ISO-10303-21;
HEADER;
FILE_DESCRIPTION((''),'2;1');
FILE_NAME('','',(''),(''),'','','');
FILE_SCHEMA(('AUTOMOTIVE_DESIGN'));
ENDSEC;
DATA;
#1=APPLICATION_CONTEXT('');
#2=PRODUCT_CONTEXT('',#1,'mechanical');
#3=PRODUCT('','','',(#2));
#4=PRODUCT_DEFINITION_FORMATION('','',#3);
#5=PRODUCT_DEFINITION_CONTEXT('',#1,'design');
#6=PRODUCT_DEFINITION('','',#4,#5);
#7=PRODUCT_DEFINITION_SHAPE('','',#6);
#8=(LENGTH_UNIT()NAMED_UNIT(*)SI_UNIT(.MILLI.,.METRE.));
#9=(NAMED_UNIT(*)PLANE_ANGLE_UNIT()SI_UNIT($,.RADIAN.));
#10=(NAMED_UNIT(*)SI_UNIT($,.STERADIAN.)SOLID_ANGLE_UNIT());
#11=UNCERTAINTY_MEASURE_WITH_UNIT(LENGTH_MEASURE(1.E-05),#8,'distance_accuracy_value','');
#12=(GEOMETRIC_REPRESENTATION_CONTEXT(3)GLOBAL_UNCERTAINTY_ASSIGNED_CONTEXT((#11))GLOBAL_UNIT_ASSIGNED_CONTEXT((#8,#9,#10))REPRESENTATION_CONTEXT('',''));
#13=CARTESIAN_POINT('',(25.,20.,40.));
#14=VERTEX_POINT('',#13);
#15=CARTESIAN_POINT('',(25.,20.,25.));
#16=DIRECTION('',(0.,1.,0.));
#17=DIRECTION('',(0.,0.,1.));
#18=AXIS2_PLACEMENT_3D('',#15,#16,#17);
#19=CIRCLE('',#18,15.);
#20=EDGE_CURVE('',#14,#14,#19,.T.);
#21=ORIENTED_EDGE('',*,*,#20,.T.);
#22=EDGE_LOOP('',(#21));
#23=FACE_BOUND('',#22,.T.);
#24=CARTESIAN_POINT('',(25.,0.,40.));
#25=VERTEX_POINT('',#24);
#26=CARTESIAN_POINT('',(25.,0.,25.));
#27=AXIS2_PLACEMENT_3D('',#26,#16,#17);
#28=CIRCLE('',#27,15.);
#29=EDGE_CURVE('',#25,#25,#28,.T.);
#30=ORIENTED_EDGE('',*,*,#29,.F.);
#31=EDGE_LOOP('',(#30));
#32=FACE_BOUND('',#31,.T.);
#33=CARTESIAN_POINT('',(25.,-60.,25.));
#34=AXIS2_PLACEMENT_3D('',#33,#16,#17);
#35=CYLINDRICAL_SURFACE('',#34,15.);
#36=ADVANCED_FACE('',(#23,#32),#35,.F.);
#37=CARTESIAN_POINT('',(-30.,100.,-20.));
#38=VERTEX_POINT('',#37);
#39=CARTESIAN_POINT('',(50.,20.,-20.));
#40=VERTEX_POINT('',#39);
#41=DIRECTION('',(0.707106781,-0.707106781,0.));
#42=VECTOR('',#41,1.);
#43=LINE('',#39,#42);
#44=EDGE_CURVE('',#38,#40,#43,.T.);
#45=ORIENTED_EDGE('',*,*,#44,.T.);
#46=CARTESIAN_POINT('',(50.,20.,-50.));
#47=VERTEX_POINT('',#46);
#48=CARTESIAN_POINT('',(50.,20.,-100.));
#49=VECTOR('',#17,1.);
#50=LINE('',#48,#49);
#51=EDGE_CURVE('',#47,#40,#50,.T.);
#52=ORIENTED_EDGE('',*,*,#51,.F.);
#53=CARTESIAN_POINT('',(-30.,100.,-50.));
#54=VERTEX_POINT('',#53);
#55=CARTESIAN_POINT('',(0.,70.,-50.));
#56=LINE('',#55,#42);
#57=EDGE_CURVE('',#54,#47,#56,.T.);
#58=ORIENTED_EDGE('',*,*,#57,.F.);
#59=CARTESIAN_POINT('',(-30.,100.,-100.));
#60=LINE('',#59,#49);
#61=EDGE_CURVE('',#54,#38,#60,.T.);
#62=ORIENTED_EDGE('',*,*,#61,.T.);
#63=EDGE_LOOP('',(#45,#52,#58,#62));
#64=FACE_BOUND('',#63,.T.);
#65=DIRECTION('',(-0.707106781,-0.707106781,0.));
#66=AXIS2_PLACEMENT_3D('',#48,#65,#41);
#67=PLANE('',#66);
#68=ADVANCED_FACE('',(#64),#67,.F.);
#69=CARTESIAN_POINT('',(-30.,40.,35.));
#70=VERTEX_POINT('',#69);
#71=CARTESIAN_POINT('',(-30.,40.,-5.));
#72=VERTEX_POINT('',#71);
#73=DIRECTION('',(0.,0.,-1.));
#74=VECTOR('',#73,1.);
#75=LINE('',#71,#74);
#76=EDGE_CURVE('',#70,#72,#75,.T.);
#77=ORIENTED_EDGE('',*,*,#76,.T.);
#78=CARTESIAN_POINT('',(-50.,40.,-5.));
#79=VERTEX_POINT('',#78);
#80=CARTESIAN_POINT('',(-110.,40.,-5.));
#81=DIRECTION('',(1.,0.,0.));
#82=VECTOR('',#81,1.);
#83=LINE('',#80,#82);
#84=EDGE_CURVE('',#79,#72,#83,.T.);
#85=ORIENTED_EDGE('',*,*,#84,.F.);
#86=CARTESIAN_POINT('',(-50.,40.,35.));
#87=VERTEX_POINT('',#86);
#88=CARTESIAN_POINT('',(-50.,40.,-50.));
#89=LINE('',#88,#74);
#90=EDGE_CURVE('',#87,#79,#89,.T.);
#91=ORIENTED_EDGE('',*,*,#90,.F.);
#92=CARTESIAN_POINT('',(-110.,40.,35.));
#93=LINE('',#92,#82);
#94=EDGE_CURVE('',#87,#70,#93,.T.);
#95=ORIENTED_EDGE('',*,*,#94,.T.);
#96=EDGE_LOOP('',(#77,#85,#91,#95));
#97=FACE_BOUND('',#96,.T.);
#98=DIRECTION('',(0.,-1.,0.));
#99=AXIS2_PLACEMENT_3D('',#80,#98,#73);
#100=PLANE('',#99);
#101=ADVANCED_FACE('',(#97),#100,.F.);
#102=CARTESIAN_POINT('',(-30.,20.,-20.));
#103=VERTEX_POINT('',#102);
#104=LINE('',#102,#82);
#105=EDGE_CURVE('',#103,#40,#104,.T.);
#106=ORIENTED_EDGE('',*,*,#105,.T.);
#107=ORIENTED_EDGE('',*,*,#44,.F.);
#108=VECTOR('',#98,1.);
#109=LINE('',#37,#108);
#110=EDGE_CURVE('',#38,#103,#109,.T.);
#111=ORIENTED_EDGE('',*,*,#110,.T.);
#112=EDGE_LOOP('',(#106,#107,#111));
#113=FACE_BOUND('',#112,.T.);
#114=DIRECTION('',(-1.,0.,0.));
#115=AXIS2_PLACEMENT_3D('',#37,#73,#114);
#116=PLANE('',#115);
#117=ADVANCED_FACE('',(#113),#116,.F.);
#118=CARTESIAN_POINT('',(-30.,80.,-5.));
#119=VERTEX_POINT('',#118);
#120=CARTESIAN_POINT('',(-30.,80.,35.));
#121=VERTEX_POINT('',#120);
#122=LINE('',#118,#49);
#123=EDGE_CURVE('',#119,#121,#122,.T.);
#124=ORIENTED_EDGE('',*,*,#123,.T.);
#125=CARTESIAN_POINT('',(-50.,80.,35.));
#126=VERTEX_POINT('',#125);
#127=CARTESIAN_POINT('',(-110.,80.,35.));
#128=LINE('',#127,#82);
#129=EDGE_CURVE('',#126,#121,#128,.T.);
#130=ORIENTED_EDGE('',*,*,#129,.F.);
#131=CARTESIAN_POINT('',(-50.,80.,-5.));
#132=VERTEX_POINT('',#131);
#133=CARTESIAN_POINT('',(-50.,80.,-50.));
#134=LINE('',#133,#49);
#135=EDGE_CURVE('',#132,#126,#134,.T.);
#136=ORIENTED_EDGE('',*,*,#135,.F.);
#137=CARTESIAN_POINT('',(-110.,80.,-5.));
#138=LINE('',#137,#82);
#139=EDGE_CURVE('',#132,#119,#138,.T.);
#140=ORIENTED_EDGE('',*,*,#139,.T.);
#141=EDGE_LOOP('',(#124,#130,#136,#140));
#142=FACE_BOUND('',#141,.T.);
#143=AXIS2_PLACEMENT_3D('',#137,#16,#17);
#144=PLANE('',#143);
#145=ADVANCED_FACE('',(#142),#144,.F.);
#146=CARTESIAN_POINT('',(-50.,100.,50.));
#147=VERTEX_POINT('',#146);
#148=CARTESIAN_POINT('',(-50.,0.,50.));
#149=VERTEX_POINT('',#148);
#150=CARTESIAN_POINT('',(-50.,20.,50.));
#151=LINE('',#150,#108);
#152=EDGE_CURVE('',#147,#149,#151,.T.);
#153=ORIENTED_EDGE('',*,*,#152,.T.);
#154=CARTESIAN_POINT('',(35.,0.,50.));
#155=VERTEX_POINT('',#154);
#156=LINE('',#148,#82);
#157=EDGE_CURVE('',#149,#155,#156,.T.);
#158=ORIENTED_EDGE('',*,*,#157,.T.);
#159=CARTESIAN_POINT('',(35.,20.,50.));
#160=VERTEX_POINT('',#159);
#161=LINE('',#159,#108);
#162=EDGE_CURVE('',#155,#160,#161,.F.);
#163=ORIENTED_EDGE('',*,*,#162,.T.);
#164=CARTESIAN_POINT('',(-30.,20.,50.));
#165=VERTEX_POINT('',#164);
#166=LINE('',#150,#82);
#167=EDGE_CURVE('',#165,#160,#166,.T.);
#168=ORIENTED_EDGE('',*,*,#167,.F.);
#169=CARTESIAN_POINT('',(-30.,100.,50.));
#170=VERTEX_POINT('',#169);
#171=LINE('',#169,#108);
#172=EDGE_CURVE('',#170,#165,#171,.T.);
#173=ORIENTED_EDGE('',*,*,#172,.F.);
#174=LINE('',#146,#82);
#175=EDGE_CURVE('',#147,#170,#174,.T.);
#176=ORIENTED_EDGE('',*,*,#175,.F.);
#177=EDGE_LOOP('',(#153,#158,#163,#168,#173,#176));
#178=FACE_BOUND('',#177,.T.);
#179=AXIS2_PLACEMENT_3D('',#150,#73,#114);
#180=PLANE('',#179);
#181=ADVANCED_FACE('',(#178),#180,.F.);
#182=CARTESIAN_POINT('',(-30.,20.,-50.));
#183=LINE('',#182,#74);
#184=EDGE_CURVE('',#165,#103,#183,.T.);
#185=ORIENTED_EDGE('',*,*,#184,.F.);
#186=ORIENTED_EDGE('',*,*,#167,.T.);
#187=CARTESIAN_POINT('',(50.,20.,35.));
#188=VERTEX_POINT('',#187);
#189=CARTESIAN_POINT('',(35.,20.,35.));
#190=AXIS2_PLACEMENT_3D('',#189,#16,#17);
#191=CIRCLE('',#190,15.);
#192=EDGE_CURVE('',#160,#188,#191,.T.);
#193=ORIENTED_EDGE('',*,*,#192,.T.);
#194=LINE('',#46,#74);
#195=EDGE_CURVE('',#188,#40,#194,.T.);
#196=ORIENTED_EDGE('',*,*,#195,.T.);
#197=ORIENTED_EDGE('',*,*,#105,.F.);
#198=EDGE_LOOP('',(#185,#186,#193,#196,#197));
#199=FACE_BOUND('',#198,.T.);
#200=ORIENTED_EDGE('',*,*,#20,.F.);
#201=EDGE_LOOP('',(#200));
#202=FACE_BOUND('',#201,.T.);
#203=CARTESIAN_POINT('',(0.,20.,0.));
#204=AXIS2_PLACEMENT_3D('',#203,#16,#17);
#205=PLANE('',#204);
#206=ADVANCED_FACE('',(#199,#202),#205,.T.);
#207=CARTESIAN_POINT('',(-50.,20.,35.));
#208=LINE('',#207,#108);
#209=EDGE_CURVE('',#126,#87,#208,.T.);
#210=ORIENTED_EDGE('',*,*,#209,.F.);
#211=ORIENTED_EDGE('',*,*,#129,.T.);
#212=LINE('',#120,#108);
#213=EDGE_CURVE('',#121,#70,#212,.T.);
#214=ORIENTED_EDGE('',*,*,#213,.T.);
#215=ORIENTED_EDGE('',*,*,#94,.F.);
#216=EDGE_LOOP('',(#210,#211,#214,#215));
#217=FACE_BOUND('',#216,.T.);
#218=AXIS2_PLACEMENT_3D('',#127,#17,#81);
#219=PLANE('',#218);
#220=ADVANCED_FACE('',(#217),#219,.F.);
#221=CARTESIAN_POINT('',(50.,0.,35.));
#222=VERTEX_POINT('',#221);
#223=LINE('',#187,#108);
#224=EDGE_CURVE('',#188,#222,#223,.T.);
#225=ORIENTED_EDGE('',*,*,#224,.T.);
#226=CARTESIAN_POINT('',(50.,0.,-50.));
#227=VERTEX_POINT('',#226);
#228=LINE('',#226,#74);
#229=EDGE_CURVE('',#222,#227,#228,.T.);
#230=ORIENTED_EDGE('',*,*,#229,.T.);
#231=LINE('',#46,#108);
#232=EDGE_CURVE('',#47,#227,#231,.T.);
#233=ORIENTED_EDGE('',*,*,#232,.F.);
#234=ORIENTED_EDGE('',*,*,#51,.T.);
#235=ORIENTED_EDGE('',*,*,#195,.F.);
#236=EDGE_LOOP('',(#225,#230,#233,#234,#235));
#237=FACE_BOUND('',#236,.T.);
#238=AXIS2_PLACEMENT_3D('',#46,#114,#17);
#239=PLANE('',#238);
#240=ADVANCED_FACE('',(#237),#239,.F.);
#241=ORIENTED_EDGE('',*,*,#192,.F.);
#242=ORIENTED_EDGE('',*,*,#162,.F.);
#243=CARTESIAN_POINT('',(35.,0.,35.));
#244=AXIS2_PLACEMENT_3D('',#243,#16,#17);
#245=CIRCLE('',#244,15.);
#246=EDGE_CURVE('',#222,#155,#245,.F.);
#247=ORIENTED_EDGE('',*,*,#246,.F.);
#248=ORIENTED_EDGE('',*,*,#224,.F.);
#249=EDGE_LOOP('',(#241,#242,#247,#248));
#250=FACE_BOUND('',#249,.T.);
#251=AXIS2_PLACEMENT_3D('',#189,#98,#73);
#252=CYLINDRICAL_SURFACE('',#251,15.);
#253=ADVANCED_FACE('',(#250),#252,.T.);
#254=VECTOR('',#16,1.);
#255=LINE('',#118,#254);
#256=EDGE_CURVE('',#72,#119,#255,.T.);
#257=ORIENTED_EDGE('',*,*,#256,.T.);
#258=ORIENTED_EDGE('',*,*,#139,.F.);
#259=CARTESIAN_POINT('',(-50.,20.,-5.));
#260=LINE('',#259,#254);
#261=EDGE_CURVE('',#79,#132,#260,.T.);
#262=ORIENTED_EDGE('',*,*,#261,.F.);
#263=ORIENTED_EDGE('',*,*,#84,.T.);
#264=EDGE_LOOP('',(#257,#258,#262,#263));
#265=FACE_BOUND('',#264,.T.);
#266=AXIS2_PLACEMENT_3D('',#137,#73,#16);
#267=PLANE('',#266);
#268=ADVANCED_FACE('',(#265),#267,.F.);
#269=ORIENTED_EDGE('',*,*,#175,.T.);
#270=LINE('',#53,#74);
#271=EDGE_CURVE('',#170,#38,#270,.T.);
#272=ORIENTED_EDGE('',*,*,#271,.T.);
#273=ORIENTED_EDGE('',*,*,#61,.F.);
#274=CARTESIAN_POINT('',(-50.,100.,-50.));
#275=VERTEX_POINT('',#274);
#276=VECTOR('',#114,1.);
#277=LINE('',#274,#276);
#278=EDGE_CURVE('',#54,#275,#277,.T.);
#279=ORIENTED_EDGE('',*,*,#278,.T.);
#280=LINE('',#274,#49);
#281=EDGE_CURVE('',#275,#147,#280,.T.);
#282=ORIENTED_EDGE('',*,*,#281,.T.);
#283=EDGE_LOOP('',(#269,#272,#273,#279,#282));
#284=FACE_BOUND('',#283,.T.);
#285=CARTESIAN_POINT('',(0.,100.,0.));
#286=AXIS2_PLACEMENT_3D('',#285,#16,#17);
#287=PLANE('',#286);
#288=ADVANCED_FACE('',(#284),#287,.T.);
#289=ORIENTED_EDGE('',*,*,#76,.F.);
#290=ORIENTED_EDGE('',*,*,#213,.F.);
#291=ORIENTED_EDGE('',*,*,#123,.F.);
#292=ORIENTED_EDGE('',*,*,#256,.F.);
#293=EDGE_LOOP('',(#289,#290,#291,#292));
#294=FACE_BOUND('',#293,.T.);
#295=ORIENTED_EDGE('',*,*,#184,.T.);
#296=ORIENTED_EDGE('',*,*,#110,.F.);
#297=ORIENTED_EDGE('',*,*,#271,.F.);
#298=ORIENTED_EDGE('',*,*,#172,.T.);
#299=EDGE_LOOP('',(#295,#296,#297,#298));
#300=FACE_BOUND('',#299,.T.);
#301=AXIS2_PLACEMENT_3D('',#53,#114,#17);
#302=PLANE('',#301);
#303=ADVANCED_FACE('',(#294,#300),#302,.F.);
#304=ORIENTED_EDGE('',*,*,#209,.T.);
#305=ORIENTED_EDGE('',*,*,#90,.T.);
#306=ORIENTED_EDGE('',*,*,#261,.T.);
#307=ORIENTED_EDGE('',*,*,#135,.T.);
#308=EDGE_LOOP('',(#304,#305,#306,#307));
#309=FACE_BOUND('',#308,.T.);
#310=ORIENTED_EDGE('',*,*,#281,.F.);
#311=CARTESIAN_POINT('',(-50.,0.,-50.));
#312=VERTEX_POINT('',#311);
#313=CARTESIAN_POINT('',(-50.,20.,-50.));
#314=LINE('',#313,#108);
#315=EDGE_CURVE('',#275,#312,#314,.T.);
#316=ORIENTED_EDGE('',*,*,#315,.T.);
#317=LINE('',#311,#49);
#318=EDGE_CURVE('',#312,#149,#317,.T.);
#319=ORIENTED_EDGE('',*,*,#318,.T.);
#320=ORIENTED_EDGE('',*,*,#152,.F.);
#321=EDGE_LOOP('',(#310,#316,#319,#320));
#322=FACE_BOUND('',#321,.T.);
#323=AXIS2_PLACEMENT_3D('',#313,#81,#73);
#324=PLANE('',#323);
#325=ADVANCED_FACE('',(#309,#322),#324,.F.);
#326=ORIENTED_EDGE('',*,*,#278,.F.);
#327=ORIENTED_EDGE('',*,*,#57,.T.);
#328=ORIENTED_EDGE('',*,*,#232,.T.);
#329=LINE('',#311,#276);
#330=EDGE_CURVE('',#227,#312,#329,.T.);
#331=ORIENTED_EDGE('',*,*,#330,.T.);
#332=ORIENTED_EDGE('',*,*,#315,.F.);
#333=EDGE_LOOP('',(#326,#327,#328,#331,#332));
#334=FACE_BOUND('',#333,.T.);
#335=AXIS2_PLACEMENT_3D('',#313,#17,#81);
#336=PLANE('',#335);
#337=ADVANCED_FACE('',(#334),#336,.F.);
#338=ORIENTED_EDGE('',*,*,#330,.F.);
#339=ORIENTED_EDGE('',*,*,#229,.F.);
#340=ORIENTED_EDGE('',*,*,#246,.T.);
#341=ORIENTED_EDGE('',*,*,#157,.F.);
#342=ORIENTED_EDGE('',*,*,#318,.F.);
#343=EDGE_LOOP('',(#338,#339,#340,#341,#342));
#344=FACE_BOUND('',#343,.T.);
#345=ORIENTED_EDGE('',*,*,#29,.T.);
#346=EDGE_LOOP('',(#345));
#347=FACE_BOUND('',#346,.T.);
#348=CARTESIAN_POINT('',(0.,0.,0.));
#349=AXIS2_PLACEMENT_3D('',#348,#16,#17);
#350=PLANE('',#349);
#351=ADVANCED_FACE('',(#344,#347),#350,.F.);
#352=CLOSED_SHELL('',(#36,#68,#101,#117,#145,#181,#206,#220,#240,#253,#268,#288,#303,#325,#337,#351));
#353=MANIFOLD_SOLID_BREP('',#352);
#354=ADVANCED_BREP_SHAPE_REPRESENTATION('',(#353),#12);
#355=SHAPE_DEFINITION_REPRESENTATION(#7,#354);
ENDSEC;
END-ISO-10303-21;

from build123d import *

# Parameters (mm, degrees)
CROQUIS1_W              = 100
CROQUIS1_H              = 100
SALIENTE_EXTRUIR1_DEPTH = 20
CROQUIS2_W              = 20
CROQUIS2_H              = 100
SALIENTE_EXTRUIR2_DEPTH = 80
CROQUIS3_W              = 80
CROQUIS3_H              = 30
SALIENTE_EXTRUIR3_DEPTH = 80
CORTAR_EXTRUIR1_DEPTH   = 80
CROQUIS5_R              = 15
CORTAR_EXTRUIR2_DEPTH   = 80
REDONDEO1_R             = 15
CROQUIS6_W              = 40
CROQUIS6_H              = 40
CORTAR_EXTRUIR3_DEPTH   = 80


with BuildPart() as part:
    # Croquis1 → Saliente-Extruir1 (new body)
    with BuildSketch(Plane(origin=(0, 0, 0), x_dir=(1, 0, 0), z_dir=(0, 1, 0))):
        Rectangle(CROQUIS1_W, CROQUIS1_H)
    extrude(amount=SALIENTE_EXTRUIR1_DEPTH)

    # Croquis2 → Saliente-Extruir2 (add)
    with BuildSketch(Plane(origin=(0, 20, 0), x_dir=(1, 0, 0), z_dir=(0, 1, 0))):
        with Locations((-40, 0)):
            Rectangle(CROQUIS2_W, CROQUIS2_H)
    extrude(amount=SALIENTE_EXTRUIR2_DEPTH)

    # Croquis3 → Saliente-Extruir3 (add)
    with BuildSketch(Plane(origin=(0, 20, 0), x_dir=(1, 0, 0), z_dir=(0, 1, 0))):
        with Locations((10, 35)):
            Rectangle(CROQUIS3_W, CROQUIS3_H)
    extrude(amount=SALIENTE_EXTRUIR3_DEPTH)

    # Croquis4 → Cortar-Extruir1 (cut)
    with BuildSketch(Plane.XY.offset(-20)):
        Polygon((50, 20), (-30, 100), (50, 100), align=None)
    extrude(amount=-CORTAR_EXTRUIR1_DEPTH, mode=Mode.SUBTRACT)

    # Croquis5 → Cortar-Extruir2 (cut)
    with BuildSketch(Plane(origin=(0, 20, 0), x_dir=(1, 0, 0), z_dir=(0, 1, 0))):
        with Locations((25, -25)):
            Circle(CROQUIS5_R)
    extrude(amount=-CORTAR_EXTRUIR2_DEPTH, mode=Mode.SUBTRACT)

    # Redondeo1
    redondeo1_edges = [part.edges().sort_by_distance(p)[0] for p in [
        (50, 10, 50),
    ]]
    fillet(redondeo1_edges, radius=REDONDEO1_R)

    # Croquis6 → Cortar-Extruir3 (cut)
    with BuildSketch(Plane(origin=(-30, 0, 0), x_dir=(0, 0, -1), z_dir=(1, 0, 0))):
        with Locations((-15, 60)):
            Rectangle(CROQUIS6_W, CROQUIS6_H)
    extrude(amount=-CORTAR_EXTRUIR3_DEPTH, mode=Mode.SUBTRACT)


solid = part.part
